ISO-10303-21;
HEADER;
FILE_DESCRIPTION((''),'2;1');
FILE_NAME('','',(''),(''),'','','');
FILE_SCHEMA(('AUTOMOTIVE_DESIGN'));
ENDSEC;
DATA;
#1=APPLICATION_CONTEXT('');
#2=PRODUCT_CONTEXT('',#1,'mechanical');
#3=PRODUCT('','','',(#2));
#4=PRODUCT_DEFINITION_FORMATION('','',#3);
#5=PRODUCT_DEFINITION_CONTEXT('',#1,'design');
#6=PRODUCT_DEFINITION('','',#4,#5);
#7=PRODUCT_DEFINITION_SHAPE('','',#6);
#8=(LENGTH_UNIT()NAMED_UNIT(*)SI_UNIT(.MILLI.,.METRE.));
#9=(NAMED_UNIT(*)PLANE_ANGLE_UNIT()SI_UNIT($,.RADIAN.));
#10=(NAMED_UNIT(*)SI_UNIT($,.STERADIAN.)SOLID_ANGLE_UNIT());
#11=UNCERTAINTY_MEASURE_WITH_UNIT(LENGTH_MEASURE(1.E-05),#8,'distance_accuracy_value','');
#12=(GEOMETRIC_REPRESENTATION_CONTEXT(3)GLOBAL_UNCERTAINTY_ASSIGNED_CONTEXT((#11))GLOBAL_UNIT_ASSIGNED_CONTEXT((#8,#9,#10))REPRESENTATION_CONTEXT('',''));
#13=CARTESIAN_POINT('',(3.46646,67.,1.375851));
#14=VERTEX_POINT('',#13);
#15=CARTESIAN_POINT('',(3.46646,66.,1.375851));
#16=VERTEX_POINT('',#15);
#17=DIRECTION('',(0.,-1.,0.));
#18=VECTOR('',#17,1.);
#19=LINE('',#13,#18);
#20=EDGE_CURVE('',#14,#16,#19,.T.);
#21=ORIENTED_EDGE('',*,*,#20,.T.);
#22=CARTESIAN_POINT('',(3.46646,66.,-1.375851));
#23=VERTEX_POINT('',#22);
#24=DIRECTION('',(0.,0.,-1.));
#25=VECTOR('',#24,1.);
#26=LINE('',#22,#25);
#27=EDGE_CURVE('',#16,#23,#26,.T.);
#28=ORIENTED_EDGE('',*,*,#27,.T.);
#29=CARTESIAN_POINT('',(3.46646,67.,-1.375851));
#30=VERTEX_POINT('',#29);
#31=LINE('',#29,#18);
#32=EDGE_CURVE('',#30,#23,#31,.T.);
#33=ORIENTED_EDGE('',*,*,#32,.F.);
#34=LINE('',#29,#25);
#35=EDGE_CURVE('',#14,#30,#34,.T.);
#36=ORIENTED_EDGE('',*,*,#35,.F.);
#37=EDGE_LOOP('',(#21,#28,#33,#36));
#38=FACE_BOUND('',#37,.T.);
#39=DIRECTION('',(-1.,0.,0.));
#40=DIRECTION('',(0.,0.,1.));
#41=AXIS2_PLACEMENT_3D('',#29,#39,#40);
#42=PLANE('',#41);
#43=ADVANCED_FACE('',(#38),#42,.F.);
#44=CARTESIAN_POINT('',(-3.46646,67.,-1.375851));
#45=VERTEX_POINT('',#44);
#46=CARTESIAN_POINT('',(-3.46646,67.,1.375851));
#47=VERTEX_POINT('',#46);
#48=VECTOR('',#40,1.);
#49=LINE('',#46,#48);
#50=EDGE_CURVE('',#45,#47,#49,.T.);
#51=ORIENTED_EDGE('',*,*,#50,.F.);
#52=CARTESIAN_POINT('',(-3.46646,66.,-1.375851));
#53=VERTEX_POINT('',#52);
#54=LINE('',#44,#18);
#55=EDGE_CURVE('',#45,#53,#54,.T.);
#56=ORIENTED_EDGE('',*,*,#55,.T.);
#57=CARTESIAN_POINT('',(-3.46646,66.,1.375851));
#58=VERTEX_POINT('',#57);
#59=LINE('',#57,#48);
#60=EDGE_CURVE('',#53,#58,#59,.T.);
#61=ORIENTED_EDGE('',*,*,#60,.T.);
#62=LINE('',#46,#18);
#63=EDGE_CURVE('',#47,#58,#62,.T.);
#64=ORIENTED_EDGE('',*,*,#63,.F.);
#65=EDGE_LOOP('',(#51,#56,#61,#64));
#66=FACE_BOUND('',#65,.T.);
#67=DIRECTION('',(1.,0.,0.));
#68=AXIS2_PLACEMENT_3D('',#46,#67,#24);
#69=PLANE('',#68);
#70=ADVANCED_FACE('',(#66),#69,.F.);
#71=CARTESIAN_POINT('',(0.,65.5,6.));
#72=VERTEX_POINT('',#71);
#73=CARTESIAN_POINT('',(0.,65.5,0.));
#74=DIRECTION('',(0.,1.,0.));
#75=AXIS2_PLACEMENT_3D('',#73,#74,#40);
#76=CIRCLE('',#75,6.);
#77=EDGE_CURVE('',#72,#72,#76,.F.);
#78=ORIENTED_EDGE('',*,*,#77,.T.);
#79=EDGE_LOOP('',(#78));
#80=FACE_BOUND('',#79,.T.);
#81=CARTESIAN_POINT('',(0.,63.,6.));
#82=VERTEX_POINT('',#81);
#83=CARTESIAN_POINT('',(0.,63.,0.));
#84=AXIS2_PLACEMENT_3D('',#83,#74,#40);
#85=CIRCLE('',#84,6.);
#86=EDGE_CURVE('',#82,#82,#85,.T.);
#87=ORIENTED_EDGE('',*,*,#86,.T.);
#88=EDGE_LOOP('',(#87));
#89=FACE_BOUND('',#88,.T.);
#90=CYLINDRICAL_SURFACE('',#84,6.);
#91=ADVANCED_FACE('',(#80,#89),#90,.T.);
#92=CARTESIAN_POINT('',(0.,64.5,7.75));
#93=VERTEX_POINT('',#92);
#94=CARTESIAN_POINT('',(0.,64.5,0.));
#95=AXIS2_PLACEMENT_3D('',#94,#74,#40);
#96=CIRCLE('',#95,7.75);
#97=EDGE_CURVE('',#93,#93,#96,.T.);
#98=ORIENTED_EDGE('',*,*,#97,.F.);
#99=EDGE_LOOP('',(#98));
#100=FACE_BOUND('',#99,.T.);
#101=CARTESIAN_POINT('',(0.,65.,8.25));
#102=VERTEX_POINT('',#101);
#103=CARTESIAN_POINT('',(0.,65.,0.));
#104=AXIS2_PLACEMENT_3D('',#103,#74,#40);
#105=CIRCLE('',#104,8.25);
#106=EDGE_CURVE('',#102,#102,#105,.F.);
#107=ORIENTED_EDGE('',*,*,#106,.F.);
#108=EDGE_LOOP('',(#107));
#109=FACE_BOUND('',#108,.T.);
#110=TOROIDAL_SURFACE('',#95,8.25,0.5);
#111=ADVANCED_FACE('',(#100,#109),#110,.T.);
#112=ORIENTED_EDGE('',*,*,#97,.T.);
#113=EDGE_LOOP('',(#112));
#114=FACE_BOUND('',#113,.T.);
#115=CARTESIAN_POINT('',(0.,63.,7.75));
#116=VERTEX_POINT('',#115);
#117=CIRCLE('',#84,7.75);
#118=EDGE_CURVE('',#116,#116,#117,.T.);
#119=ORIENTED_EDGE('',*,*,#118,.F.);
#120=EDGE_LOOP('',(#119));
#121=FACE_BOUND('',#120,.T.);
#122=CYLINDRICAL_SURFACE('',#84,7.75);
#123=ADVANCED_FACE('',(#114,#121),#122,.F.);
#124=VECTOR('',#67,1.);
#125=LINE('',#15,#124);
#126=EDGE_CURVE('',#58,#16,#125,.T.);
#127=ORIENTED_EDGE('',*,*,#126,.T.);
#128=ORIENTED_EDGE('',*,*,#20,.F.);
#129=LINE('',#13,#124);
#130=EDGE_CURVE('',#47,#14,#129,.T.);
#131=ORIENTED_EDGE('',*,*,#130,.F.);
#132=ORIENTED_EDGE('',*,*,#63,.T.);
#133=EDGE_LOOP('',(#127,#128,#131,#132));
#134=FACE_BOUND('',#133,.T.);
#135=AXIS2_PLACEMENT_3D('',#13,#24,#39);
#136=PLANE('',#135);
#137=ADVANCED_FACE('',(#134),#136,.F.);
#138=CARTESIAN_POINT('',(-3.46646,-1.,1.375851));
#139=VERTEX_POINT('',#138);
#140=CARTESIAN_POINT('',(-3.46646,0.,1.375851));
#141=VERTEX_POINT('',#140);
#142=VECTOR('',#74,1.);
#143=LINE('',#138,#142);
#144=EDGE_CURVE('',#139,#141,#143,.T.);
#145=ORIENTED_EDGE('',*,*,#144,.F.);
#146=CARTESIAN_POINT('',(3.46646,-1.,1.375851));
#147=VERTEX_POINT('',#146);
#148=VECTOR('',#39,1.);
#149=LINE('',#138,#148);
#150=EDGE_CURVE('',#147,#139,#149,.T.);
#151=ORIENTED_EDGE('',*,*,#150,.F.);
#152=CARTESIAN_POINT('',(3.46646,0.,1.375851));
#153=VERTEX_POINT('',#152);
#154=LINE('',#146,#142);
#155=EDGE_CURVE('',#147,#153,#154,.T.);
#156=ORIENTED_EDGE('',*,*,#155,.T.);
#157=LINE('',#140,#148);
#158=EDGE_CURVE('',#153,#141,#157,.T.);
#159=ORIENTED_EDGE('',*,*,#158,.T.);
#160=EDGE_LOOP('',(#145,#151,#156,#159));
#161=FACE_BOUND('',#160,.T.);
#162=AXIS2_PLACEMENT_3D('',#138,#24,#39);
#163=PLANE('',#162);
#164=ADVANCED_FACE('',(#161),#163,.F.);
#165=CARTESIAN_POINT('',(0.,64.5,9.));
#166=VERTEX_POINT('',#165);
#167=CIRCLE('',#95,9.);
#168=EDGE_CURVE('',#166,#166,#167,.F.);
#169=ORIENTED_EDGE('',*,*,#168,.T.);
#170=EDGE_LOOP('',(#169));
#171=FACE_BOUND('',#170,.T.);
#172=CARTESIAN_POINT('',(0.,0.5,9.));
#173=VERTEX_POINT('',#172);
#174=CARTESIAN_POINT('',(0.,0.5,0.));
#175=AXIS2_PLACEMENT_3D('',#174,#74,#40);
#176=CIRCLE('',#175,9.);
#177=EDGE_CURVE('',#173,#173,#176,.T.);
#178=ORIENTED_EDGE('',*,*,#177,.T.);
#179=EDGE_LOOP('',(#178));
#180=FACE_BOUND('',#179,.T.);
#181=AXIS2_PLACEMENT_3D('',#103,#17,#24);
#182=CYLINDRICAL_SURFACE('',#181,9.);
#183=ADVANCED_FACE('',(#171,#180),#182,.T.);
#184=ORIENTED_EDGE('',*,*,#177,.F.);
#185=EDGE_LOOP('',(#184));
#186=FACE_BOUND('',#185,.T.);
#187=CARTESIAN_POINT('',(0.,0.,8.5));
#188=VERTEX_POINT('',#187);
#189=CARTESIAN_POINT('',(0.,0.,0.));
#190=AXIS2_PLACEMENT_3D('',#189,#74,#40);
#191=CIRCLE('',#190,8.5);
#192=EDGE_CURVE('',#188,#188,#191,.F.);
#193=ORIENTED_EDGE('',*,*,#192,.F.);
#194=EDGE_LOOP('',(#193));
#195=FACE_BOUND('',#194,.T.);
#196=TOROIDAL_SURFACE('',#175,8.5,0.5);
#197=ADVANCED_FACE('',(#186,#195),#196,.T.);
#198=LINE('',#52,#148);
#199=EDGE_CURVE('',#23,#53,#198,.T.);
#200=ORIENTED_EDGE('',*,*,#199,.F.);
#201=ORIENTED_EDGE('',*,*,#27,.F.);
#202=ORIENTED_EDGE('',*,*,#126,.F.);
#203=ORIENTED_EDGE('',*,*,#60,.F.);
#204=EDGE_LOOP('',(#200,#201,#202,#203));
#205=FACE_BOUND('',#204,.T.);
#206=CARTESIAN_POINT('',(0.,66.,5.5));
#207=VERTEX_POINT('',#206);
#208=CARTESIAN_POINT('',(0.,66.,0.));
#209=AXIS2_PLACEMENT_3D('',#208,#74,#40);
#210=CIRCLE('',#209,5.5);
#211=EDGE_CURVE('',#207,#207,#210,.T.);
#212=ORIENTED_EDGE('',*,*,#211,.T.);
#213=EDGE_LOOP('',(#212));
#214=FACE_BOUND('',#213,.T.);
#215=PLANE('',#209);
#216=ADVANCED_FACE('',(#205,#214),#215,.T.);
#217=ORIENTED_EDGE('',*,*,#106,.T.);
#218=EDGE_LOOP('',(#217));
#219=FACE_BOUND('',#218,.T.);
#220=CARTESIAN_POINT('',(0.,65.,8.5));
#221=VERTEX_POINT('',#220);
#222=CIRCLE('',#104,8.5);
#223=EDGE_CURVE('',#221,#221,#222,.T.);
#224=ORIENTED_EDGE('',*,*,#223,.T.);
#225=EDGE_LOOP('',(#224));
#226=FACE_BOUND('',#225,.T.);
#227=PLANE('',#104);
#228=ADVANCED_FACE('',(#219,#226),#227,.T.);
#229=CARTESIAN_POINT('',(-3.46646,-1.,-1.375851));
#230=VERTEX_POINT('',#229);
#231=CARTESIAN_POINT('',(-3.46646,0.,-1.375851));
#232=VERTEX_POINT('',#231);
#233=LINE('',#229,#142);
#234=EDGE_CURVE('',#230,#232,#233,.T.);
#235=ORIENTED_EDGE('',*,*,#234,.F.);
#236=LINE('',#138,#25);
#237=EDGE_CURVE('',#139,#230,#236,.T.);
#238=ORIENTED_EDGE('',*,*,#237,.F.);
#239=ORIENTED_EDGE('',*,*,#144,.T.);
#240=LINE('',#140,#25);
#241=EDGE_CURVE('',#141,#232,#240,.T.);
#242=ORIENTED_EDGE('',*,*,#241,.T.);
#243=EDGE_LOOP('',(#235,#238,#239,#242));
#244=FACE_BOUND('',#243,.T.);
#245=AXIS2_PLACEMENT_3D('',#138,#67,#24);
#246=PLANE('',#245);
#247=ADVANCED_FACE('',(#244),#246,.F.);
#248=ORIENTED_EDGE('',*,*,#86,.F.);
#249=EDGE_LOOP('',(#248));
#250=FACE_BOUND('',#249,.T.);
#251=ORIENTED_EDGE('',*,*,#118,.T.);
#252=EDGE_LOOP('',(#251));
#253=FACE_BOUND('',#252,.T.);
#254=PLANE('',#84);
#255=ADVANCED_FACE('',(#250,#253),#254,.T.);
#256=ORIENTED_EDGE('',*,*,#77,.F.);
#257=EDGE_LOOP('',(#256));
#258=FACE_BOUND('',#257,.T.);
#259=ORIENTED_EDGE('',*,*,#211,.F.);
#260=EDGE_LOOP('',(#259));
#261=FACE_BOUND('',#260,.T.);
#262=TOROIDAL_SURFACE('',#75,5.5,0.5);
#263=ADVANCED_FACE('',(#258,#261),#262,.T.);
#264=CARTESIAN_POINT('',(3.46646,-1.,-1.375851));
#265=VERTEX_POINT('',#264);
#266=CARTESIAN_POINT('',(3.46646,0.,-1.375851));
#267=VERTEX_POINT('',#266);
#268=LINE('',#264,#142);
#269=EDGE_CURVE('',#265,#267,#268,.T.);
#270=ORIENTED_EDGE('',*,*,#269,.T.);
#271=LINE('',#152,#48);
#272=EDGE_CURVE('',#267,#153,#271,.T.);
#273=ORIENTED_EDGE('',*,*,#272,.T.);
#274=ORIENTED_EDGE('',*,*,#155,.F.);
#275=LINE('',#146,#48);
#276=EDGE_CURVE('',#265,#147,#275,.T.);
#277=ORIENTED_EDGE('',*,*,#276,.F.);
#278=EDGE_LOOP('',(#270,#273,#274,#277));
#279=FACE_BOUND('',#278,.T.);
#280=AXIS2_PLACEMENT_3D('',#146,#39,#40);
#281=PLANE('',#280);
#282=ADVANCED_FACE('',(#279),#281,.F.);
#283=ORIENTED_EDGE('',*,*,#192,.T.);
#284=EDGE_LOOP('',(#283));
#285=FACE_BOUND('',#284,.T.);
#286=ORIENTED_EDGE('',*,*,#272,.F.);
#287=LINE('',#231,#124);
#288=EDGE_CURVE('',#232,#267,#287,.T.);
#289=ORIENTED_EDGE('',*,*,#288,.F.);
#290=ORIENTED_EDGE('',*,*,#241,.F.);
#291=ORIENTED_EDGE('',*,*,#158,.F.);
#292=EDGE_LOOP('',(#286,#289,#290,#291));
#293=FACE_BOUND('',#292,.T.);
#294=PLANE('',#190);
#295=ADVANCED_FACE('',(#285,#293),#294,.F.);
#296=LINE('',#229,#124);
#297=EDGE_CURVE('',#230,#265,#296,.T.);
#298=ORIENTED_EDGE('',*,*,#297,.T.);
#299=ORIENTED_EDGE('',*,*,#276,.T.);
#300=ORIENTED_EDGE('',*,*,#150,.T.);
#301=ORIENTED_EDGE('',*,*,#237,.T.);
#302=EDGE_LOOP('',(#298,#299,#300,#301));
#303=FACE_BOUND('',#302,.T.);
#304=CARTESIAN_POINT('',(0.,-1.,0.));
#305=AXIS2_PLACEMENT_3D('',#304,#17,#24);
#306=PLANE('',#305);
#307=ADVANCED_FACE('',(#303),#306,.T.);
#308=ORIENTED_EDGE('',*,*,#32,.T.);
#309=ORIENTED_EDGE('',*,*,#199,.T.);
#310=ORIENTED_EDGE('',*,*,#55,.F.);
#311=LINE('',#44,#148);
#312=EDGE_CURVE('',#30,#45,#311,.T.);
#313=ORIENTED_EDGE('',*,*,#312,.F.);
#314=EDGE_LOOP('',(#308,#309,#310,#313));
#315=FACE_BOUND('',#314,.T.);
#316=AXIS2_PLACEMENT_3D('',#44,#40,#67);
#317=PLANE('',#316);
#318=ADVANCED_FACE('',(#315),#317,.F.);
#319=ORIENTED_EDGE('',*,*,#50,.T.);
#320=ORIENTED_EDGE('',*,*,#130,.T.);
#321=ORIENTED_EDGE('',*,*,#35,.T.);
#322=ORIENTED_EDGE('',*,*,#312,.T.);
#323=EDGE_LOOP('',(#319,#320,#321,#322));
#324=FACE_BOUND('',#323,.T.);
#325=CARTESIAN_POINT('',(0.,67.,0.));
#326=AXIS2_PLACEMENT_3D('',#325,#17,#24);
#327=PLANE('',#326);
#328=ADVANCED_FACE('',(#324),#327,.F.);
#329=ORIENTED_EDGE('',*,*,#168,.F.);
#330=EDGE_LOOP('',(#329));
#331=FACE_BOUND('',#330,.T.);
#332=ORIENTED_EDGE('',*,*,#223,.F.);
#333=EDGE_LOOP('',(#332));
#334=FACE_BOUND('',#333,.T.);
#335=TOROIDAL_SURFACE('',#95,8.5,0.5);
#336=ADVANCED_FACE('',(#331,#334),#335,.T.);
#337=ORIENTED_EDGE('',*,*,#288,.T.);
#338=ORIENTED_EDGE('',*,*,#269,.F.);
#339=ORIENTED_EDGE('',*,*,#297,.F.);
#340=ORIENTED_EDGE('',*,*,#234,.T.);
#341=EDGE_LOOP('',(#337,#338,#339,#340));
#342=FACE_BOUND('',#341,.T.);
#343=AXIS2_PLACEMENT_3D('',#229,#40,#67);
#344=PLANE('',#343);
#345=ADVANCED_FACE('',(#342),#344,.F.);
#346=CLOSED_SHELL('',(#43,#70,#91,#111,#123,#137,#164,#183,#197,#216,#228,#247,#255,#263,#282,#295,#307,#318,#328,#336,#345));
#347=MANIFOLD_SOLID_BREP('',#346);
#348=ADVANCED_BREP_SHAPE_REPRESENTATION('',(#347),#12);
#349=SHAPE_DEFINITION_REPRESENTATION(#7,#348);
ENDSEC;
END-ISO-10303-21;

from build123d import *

# Parameters (mm, degrees)
SKETCH_1_R          = 9
EXTRUDE_1_DEPTH     = 65
SKETCH_2_R          = 7.75
SKETCH_2_R_2        = 6
CUT_EXTRUDE_1_DEPTH = 2
EXTRUDE_START       = 1
SKETCH_4_R          = 6
EXTRUDE_3_DEPTH     = 1
FILLET_1_R          = 0.5
SKETCH_3_W          = 6.932919868
SKETCH_3_H          = 2.75170262
EXTRUDE_910_DEPTH   = 1
SKETCH_5_W          = 6.932919868
SKETCH_5_H          = 2.75170262
EXTRUDE_1061_DEPTH  = 1


with BuildPart() as part:
    # 草图1 → 凸台-拉伸1 (new body)
    with BuildSketch(Plane(origin=(0, 0, 0), x_dir=(1, 0, 0), z_dir=(0, 1, 0))):
        with Locations(Location((0, 0, 0), (0, 0, 270))):
            Circle(SKETCH_1_R)
    extrude(amount=EXTRUDE_1_DEPTH)

    # 草图2 → 切除-拉伸1 (cut)
    with BuildSketch(Plane(origin=(0, 65, 0), x_dir=(1, 0, 0), z_dir=(0, 1, 0))):
        with Locations(Location((0, 0, 0), (0, 0, 270))):
            Circle(SKETCH_2_R)
        with Locations(Location((0, 0, 0), (0, 0, 270))):
            Circle(SKETCH_2_R_2, mode=Mode.SUBTRACT)
    extrude(amount=-CUT_EXTRUDE_1_DEPTH, mode=Mode.SUBTRACT)

    # 草图4 → 凸台-拉伸3 (add)
    with BuildSketch(Plane(origin=(0, 65, 0), x_dir=(1, 0, 0), z_dir=(0, 1, 0)).offset(EXTRUDE_START)):
        with Locations(Location((0, 0, 0), (0, 0, 270))):
            Circle(SKETCH_4_R)
    extrude(amount=-EXTRUDE_3_DEPTH)

    # 圆角1
    fillet_1_edges = [part.edges().sort_by_distance(p)[0] for p in [
        (0, 66, -6),
        (0, 0, -9),
        (0, 65, -9),
        (0, 65, -7.75),
    ]]
    fillet(fillet_1_edges, radius=FILLET_1_R)

    # 草图3 → Extrude 910 (add)
    with BuildSketch(Plane.XZ):
        Rectangle(SKETCH_3_W, SKETCH_3_H)
    extrude(amount=EXTRUDE_910_DEPTH)

    # 草图5 → Extrude 1061 (add)
    with BuildSketch(Plane(origin=(0, 66, 0), x_dir=(1, 0, 0), z_dir=(0, 1, 0))):
        Rectangle(SKETCH_5_W, SKETCH_5_H)
    extrude(amount=EXTRUDE_1061_DEPTH)


solid = part.part
